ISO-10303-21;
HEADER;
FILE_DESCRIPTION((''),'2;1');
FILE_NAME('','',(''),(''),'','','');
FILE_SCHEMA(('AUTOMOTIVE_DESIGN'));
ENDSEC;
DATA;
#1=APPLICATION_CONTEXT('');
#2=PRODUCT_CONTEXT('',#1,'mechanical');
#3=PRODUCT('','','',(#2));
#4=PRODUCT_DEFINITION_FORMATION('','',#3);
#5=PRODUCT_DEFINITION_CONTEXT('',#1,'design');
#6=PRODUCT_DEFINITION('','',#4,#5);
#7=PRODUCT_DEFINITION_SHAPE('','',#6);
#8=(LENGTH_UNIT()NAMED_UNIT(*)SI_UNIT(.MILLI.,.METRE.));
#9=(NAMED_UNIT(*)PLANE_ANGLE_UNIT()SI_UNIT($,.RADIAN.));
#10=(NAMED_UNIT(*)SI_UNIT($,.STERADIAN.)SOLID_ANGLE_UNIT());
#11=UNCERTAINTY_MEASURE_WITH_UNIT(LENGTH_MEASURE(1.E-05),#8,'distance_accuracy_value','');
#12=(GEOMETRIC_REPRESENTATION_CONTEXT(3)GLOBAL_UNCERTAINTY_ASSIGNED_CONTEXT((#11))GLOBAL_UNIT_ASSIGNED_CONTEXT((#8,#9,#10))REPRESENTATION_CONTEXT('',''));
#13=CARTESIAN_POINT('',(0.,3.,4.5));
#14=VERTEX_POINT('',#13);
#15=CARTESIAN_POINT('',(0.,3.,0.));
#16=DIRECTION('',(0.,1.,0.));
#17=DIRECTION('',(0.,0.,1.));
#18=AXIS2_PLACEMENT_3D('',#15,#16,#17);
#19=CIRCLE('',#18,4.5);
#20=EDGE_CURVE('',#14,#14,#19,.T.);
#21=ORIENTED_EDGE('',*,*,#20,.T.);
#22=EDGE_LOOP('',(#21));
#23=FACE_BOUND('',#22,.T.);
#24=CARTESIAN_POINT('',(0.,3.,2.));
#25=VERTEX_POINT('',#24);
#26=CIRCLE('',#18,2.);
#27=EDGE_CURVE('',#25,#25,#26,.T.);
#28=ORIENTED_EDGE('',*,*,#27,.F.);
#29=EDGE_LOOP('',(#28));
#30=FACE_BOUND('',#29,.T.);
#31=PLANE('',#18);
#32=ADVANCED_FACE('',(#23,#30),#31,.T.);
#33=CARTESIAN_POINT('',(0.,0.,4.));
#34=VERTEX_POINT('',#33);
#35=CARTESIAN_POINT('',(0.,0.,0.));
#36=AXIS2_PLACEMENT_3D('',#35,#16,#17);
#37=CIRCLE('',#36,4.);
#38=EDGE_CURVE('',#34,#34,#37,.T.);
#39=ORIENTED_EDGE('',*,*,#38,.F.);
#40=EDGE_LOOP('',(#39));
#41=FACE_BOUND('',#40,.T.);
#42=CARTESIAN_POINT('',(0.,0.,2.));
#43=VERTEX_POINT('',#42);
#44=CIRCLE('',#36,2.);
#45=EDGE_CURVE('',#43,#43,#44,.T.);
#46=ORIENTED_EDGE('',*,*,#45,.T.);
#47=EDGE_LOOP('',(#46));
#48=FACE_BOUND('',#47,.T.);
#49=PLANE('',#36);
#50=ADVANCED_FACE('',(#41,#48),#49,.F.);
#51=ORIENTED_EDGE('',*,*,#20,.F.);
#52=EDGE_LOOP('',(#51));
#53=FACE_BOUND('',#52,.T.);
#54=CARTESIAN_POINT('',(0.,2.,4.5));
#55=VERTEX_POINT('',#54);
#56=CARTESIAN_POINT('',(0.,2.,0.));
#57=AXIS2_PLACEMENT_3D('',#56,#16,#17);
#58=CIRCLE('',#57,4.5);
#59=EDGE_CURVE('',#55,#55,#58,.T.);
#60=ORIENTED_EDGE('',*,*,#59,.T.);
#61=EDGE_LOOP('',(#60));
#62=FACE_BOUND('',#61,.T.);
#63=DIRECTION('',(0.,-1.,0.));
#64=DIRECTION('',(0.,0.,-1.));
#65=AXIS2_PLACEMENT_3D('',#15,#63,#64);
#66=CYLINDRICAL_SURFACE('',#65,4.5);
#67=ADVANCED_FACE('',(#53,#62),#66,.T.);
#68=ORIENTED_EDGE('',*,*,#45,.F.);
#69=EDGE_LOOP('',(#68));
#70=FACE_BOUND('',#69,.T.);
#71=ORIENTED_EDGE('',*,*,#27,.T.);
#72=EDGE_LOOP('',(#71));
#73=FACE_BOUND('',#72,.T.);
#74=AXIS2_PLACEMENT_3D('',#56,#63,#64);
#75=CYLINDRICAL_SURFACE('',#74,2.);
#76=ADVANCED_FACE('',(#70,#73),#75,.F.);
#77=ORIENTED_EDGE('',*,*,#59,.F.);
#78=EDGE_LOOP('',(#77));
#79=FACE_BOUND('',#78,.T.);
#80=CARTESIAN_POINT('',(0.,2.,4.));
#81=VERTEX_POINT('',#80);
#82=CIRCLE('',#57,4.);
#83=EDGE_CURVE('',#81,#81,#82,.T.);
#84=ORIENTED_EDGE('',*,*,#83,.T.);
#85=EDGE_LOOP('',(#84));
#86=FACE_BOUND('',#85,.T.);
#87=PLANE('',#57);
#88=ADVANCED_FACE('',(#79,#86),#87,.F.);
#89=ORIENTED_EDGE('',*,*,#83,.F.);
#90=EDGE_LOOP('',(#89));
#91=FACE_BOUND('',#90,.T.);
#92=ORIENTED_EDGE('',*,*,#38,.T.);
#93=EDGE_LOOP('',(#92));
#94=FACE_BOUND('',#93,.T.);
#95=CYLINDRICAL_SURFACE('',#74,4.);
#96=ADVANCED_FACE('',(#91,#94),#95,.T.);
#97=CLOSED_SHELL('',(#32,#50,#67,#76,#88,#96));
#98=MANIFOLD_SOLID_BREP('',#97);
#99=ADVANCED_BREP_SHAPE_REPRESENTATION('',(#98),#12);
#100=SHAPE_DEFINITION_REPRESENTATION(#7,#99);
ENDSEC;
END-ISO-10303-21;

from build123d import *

# Parameters (mm, degrees)
SKETCH_1_R      = 4
SKETCH_1_R_2    = 2
EXTRUDE_1_DEPTH = 2
SKETCH_2_R      = 4.5
SKETCH_2_R_2    = 2
EXTRUDE_2_DEPTH = 1


with BuildPart() as part:
    # 草图1 → 凸台-拉伸1 (new body)
    with BuildSketch(Plane(origin=(0, 0, 0), x_dir=(1, 0, 0), z_dir=(0, 1, 0))):
        with Locations(Location((0, 0, 0), (0, 0, 270))):
            Circle(SKETCH_1_R)
        with Locations(Location((0, 0, 0), (0, 0, 270))):
            Circle(SKETCH_1_R_2, mode=Mode.SUBTRACT)
    extrude(amount=EXTRUDE_1_DEPTH)

    # 草图2 → 凸台-拉伸2 (add)
    with BuildSketch(Plane(origin=(0, 2, 0), x_dir=(1, 0, 0), z_dir=(0, 1, 0))):
        with Locations(Location((0, 0, 0), (0, 0, 270))):
            Circle(SKETCH_2_R)
        with Locations(Location((0, 0, 0), (0, 0, 270))):
            Circle(SKETCH_2_R_2, mode=Mode.SUBTRACT)
    extrude(amount=EXTRUDE_2_DEPTH)


solid = part.part
